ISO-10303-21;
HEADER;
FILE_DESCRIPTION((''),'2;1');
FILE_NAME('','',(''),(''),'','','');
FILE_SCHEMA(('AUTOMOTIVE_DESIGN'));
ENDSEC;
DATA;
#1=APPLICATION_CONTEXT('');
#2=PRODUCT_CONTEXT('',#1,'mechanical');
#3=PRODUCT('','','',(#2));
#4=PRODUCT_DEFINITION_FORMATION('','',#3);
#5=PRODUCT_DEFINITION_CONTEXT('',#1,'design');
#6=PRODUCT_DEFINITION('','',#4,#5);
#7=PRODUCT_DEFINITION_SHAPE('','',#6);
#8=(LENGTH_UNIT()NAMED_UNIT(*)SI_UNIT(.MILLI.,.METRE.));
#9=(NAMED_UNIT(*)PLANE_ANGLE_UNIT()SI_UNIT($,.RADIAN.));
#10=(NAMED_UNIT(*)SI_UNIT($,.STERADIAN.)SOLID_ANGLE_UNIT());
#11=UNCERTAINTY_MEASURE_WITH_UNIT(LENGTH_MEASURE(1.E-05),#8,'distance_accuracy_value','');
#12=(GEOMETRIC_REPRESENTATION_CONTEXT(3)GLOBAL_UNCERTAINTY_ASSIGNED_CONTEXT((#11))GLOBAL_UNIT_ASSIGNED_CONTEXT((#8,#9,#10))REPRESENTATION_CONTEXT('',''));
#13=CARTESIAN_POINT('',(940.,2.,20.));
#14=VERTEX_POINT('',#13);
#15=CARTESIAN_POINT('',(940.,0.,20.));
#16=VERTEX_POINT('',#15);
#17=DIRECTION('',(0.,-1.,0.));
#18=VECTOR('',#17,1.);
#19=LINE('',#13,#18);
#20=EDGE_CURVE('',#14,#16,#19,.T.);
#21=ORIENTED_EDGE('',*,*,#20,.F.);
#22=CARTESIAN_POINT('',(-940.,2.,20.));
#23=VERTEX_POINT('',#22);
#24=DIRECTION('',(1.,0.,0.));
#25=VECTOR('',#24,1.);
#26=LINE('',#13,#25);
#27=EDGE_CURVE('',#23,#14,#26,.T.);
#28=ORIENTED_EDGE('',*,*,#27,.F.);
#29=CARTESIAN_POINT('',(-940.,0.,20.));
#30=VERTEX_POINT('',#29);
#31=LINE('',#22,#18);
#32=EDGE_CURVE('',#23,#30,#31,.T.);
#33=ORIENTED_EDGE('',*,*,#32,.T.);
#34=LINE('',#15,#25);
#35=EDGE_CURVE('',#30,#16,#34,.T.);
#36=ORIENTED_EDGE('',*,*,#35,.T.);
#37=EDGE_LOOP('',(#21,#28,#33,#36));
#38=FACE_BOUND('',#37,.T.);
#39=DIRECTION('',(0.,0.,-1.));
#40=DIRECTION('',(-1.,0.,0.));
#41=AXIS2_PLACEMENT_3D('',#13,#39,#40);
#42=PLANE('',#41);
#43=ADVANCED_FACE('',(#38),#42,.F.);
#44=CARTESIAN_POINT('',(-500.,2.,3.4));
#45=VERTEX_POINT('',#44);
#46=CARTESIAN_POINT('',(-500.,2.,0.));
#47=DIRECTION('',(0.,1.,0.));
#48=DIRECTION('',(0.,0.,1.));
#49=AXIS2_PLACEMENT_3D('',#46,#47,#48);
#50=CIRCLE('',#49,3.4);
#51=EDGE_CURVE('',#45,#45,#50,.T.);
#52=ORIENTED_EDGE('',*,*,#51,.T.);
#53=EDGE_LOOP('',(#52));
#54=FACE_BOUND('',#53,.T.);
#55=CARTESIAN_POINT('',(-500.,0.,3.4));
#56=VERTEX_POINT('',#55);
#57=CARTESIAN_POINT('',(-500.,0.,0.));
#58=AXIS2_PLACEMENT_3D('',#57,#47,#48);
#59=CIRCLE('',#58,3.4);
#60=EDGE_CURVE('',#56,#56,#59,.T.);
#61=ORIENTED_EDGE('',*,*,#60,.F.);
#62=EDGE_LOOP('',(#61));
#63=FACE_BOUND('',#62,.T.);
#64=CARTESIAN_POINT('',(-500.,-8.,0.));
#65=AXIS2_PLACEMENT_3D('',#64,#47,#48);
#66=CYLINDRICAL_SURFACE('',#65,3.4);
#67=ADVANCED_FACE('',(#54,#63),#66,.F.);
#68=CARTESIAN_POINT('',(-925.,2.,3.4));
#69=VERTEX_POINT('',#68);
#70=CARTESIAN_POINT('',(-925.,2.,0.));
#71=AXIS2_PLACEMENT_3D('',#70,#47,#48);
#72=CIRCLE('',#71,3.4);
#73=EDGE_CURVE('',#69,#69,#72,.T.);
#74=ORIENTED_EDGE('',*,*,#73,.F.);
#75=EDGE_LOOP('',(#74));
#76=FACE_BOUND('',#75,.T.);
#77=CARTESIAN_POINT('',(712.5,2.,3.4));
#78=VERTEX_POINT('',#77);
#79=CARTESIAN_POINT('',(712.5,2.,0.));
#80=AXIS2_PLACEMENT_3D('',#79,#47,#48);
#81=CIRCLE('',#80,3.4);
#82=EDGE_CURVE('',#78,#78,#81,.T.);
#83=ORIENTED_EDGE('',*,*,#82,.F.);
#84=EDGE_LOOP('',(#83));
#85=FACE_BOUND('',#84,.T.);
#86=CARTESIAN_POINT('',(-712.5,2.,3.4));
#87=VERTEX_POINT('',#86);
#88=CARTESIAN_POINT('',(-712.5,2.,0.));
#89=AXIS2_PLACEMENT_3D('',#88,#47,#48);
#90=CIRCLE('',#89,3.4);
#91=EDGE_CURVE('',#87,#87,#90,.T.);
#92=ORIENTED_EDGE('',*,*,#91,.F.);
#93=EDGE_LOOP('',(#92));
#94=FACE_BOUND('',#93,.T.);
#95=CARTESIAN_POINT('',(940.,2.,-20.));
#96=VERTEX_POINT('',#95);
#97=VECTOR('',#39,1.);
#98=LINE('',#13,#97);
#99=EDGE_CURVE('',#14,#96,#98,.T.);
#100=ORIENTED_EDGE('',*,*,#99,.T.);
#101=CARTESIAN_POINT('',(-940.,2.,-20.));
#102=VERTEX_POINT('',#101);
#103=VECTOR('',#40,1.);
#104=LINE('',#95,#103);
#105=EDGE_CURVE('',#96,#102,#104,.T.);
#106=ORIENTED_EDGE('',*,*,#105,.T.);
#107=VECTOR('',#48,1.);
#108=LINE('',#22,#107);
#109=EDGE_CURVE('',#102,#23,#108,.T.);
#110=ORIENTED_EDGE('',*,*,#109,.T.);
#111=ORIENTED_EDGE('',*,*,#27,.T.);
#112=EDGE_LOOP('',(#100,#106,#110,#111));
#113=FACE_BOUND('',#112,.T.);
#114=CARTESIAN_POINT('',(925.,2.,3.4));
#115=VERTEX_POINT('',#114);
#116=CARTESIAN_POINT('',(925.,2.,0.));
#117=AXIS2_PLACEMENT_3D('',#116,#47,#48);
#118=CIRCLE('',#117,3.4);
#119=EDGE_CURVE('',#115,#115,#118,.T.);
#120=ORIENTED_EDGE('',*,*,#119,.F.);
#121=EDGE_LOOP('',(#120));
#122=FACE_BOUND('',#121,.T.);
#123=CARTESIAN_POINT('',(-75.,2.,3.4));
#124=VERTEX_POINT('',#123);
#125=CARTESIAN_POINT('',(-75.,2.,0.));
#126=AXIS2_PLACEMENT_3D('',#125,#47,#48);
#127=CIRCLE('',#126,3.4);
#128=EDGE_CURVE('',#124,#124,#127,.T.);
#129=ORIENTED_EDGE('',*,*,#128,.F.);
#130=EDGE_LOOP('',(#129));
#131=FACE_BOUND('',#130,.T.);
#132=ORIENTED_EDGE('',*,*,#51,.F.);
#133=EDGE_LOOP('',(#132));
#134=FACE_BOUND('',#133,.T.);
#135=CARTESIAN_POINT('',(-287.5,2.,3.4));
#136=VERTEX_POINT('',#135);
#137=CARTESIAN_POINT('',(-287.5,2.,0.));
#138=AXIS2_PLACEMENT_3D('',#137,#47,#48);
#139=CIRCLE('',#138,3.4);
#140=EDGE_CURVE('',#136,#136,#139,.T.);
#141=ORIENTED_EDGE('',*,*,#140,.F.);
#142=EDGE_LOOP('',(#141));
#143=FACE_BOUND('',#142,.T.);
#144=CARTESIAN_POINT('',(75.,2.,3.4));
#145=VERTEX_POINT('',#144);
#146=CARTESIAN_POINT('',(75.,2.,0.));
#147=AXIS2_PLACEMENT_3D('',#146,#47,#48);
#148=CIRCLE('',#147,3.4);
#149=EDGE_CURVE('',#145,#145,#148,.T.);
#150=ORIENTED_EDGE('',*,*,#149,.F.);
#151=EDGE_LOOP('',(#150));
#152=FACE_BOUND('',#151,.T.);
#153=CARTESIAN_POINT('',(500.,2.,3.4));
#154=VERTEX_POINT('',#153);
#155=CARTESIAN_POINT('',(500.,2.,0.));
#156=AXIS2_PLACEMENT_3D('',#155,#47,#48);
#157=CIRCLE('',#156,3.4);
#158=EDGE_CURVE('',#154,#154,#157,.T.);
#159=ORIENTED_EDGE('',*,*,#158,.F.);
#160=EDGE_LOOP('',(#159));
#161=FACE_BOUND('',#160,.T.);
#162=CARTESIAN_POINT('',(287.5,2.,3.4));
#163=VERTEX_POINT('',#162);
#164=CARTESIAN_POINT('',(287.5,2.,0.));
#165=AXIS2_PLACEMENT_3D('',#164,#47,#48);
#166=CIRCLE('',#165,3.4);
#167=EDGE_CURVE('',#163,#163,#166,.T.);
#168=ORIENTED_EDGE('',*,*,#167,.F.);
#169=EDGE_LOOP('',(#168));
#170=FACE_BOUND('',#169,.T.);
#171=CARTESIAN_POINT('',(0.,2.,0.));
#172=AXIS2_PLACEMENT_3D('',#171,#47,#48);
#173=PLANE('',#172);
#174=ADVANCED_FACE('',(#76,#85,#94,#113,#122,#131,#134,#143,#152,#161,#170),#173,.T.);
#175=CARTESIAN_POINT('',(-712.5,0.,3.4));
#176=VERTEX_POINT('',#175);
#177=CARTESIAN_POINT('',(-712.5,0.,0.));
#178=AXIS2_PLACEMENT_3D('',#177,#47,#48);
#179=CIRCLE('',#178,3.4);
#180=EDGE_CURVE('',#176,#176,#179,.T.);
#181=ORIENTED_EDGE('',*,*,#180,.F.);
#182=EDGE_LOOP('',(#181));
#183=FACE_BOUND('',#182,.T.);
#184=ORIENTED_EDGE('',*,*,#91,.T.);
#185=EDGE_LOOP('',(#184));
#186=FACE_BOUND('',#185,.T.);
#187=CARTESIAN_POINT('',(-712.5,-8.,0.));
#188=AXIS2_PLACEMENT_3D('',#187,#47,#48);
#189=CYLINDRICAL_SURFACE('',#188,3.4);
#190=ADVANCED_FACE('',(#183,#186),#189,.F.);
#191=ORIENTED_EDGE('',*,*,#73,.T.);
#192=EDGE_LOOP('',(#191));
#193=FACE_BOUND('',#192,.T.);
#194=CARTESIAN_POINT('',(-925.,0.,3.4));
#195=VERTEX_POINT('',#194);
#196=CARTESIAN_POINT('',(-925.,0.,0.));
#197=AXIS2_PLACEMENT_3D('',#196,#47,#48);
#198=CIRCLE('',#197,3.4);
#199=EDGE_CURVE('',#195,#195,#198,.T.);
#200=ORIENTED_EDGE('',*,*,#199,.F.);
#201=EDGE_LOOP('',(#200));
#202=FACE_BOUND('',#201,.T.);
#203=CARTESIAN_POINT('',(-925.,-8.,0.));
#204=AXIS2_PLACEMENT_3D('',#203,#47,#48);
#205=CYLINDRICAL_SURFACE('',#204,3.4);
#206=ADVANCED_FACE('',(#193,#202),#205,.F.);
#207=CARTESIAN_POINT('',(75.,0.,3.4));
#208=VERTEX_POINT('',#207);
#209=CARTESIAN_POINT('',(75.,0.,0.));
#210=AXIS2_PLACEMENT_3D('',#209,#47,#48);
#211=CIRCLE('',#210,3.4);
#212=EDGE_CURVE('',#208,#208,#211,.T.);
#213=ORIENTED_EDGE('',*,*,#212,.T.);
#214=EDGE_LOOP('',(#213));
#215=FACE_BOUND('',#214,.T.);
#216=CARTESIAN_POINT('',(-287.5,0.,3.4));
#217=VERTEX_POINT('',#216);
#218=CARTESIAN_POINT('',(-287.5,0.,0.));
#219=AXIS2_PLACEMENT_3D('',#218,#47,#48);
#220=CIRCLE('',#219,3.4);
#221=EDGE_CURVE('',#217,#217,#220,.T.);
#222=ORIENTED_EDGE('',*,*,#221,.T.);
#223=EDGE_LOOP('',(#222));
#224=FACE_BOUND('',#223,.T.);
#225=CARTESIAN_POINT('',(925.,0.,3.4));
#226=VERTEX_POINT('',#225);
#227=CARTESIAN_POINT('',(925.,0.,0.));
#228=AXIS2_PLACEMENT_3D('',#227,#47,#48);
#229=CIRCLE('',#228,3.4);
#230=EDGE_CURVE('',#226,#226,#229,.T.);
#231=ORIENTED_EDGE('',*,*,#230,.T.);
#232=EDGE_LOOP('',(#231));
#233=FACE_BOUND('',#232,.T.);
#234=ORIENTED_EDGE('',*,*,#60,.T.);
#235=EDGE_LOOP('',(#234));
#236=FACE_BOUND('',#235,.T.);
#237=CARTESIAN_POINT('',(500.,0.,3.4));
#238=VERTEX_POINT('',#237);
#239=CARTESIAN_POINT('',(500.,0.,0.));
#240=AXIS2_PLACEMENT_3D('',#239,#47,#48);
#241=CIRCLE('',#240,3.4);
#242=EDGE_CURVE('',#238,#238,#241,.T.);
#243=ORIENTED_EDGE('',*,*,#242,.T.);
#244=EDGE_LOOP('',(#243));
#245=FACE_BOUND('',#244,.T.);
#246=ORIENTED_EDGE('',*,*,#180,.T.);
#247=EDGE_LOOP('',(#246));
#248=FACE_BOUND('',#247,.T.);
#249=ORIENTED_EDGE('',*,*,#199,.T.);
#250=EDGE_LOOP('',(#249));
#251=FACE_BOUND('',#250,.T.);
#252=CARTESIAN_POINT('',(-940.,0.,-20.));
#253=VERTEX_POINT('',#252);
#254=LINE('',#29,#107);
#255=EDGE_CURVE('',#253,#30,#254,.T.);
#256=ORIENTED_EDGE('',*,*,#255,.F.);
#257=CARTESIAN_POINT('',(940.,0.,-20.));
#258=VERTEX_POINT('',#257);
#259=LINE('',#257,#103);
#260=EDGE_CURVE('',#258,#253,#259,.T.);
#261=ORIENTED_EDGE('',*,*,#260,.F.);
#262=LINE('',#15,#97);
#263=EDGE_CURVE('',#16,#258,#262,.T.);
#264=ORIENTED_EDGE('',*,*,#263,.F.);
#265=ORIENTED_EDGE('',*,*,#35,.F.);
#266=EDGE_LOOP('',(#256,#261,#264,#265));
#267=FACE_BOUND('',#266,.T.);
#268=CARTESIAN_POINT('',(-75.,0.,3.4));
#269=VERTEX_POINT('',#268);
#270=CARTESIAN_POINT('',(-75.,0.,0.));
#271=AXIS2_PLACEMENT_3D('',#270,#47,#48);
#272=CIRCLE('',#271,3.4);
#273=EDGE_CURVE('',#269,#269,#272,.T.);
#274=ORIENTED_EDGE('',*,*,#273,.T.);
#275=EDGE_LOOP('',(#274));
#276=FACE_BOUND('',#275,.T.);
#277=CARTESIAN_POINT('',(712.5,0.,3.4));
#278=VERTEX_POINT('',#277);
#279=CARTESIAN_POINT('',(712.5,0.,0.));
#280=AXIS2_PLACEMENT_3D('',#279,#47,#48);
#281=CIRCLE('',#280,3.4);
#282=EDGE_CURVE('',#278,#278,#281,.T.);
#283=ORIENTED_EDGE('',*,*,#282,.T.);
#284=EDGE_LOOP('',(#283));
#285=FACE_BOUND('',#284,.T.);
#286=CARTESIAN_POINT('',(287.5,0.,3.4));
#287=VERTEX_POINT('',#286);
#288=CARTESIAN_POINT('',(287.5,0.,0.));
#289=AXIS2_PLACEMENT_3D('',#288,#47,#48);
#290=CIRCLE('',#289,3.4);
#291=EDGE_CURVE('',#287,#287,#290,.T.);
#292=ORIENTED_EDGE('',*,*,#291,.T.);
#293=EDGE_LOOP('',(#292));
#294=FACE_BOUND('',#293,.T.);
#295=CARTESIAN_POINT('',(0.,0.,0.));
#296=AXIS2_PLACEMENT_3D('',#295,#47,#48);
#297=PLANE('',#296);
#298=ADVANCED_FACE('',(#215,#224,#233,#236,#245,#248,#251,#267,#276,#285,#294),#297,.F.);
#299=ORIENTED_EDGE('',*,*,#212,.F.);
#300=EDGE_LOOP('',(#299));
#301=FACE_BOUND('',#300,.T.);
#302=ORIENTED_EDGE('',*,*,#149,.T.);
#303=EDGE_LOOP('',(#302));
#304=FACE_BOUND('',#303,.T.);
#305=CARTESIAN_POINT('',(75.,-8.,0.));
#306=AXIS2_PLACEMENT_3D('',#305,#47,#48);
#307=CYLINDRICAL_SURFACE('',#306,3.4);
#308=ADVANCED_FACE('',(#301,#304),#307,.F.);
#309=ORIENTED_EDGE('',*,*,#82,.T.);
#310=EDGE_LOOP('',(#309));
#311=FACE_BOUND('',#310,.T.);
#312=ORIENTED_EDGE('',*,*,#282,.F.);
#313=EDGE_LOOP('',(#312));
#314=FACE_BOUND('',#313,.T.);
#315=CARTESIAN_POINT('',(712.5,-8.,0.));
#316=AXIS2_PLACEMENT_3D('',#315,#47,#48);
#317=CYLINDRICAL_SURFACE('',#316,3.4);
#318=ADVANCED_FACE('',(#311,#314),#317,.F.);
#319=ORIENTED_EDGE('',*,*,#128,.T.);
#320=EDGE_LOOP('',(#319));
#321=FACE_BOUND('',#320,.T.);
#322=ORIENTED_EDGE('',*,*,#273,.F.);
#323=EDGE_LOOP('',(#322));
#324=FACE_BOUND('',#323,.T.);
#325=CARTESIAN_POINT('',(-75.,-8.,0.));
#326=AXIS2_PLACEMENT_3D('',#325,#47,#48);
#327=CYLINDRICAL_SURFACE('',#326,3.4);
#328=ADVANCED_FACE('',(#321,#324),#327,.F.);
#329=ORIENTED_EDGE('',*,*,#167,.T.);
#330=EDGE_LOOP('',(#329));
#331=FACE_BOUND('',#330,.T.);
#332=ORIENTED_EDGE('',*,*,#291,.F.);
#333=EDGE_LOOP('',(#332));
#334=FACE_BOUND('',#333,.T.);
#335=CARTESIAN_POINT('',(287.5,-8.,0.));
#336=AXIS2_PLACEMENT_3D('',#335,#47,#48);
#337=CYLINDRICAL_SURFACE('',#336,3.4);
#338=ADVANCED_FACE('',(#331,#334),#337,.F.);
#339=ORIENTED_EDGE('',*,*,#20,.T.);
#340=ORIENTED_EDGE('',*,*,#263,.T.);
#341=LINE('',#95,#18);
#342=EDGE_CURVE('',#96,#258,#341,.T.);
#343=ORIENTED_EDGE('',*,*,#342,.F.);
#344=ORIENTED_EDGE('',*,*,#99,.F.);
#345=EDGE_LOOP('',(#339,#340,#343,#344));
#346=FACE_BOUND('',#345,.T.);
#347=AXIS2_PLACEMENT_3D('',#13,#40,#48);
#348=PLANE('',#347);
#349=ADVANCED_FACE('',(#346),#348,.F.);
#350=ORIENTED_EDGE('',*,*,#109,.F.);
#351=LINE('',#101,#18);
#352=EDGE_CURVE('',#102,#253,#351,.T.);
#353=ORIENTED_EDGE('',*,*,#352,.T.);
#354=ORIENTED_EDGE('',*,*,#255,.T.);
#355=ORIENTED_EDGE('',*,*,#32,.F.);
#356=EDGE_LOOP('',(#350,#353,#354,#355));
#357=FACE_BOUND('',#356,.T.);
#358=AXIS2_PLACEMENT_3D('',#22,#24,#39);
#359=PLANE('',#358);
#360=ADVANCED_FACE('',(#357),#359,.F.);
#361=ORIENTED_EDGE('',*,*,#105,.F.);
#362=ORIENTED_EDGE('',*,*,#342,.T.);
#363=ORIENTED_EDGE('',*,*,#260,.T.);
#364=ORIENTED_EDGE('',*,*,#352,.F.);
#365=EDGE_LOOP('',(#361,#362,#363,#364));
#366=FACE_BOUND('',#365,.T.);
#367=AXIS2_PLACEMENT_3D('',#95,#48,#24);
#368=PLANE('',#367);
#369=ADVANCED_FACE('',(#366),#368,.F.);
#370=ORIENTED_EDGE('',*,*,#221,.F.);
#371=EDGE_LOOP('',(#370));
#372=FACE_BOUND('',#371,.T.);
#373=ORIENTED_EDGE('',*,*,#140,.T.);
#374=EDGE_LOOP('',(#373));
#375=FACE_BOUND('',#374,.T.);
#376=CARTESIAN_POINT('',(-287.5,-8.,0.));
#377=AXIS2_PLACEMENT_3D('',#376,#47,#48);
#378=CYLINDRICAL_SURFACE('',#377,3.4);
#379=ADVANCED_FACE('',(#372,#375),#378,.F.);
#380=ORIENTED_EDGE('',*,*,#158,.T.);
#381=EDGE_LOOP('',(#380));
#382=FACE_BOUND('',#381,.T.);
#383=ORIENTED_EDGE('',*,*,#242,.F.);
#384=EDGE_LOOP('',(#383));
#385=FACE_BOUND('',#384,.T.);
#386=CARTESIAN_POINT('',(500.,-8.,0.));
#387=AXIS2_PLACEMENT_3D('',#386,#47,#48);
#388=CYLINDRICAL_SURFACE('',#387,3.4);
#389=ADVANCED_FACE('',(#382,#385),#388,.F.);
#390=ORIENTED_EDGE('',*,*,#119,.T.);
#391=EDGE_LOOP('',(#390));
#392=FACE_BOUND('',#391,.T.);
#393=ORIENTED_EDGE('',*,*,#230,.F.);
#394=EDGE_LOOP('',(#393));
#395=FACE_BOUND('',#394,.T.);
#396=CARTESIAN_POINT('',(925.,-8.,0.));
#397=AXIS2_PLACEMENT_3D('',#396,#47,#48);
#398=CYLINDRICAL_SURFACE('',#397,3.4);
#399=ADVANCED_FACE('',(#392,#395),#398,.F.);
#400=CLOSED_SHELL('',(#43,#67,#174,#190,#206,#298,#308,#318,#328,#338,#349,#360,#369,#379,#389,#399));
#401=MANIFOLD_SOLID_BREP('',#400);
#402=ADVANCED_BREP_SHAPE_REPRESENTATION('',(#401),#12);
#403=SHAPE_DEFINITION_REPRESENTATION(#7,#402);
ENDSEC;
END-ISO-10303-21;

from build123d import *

# Parameters (mm, degrees)
SKETCH1_W           = 1880
SKETCH1_H           = 40
BOSS_EXTRUDE1_DEPTH = 2
SKETCH2_R           = 3.4
CUT_EXTRUDE1_DEPTH  = 10


with BuildPart() as part:
    # Sketch1 → Boss-Extrude1 (new body)
    with BuildSketch(Plane(origin=(0, 0, 0), x_dir=(1, 0, 0), z_dir=(0, 1, 0))):
        Rectangle(SKETCH1_W, SKETCH1_H)
    extrude(amount=BOSS_EXTRUDE1_DEPTH)

    # Sketch2 → Cut-Extrude1 (cut)
    with BuildSketch(Plane(origin=(0, 2, 0), x_dir=(1, 0, 0), z_dir=(0, 1, 0))):
        with Locations(Location((-925, 0, 0), (0, 0, 270))):
            Circle(SKETCH2_R)
        with Locations(Location((-712.5, 0, 0), (0, 0, 270))):
            Circle(SKETCH2_R)
        with Locations(Location((-500, 0, 0), (0, 0, 270))):
            Circle(SKETCH2_R)
        with Locations(Location((-287.5, 0, 0), (0, 0, 270))):
            Circle(SKETCH2_R)
        with Locations(Location((-75, 0, 0), (0, 0, 270))):
            Circle(SKETCH2_R)
        with Locations(Location((925, 0, 0), (0, 0, 270))):
            Circle(SKETCH2_R)
        with Locations(Location((712.5, 0, 0), (0, 0, 270))):
            Circle(SKETCH2_R)
        with Locations(Location((500, 0, 0), (0, 0, 270))):
            Circle(SKETCH2_R)
        with Locations(Location((287.5, 0, 0), (0, 0, 270))):
            Circle(SKETCH2_R)
        with Locations(Location((75, 0, 0), (0, 0, 270))):
            Circle(SKETCH2_R)
    extrude(amount=-CUT_EXTRUDE1_DEPTH, mode=Mode.SUBTRACT)


solid = part.part
